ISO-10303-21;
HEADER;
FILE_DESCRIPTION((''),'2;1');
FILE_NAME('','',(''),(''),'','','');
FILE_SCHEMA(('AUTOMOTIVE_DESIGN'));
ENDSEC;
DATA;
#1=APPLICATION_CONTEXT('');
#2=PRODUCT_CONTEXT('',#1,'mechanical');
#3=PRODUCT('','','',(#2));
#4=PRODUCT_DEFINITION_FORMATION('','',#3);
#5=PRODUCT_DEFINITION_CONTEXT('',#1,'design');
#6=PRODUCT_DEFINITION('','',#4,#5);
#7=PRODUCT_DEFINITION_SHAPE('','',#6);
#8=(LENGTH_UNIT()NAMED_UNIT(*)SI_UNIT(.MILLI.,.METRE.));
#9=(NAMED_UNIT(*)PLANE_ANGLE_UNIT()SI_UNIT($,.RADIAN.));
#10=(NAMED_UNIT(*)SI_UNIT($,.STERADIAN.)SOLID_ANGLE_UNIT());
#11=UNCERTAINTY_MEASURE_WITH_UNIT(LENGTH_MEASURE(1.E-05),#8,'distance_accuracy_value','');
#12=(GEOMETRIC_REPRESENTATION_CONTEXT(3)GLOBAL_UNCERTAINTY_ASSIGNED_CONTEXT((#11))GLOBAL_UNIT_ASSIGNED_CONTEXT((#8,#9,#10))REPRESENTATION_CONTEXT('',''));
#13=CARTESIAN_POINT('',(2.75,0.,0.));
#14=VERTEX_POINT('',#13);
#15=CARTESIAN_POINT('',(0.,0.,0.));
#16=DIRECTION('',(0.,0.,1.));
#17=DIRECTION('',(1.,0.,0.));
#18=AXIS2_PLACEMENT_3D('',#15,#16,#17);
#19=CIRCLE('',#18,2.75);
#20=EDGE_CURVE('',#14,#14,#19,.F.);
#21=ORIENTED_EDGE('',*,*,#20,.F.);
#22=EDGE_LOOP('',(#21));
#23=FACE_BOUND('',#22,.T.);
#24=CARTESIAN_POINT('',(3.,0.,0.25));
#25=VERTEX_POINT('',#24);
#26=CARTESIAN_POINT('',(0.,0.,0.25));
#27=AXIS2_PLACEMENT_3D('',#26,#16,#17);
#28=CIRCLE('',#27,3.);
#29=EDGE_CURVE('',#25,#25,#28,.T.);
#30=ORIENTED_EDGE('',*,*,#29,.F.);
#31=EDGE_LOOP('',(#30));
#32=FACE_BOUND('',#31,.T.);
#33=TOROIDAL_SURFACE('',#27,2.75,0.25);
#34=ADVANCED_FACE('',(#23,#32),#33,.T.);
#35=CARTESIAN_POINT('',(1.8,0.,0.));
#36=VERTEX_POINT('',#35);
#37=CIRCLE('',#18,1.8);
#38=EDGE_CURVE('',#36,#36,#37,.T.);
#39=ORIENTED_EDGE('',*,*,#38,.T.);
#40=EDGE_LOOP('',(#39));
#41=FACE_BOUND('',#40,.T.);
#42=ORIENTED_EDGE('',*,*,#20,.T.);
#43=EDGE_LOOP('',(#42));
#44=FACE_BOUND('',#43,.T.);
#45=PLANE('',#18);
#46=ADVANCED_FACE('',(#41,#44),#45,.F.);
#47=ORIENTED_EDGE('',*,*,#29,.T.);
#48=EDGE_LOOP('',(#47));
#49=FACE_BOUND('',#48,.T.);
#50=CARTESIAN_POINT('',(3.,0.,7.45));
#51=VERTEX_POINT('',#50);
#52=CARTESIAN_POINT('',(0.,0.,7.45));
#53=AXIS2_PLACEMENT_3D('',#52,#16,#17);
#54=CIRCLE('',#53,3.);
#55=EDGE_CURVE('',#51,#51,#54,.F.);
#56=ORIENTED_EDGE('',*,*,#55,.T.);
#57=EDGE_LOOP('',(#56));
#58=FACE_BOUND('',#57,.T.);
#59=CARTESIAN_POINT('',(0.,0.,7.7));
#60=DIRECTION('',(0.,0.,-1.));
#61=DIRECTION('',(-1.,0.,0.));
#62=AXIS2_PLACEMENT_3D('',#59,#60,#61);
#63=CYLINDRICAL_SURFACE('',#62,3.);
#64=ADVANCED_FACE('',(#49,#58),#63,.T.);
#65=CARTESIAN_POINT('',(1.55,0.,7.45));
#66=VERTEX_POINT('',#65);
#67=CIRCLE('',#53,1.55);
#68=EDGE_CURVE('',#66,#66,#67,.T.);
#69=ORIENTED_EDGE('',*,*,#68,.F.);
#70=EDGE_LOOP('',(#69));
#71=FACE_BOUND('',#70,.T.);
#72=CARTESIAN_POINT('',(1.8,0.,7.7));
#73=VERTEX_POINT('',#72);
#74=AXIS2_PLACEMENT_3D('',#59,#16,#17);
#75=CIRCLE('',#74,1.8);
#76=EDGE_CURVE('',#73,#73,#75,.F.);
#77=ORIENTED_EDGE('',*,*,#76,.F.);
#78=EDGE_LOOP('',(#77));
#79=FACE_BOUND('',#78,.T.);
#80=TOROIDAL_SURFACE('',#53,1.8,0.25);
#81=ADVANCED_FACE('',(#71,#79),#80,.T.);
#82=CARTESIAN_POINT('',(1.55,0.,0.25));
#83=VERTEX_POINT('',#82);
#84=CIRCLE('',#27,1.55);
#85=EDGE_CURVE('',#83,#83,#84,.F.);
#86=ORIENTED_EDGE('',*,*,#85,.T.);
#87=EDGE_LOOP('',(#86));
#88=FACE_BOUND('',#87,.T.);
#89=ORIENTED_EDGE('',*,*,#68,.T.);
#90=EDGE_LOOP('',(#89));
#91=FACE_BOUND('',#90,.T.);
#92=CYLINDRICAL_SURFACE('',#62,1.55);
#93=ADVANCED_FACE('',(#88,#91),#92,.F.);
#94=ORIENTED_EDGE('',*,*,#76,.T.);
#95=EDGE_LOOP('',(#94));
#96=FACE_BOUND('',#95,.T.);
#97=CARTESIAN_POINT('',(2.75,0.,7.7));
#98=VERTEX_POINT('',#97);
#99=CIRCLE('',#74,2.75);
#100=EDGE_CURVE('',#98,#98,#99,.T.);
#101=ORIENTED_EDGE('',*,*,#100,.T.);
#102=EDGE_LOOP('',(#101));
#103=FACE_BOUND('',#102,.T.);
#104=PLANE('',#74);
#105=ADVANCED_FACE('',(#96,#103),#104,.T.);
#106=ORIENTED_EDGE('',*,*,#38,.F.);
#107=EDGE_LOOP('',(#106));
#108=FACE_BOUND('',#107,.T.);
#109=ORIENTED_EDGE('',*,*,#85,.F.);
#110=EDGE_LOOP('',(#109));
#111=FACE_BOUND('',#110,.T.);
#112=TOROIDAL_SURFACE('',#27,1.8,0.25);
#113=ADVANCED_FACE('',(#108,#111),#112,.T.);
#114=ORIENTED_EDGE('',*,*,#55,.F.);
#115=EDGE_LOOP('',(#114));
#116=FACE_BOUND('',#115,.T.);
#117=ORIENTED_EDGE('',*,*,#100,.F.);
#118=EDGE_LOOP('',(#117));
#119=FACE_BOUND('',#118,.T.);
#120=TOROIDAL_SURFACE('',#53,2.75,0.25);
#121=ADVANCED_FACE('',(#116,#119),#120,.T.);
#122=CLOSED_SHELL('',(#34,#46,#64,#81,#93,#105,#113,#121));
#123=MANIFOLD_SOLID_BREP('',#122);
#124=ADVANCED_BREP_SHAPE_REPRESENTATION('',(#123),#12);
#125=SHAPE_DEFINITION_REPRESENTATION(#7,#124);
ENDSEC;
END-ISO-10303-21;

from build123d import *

# Parameters (mm, degrees)
SKICA2_R                = 3
SKICA2_R_2              = 1.55
P_IDAT_VYSUNUT_M1_DEPTH = 7.7
ZAOBLIT1_R              = 0.25


with BuildPart() as part:
    # Skica2 → Přidat vysunutím1 (new body)
    with BuildSketch(Plane.XY):
        Circle(SKICA2_R)
        Circle(SKICA2_R_2, mode=Mode.SUBTRACT)
    extrude(amount=P_IDAT_VYSUNUT_M1_DEPTH)

    # Zaoblit1
    zaoblit1_edges = [part.edges().sort_by_distance(p)[0] for p in [
        (-3, 0, 0),
        (-3, 0, 7.7),
        (-1.55, 0, 0),
        (-1.55, 0, 7.7),
    ]]
    fillet(zaoblit1_edges, radius=ZAOBLIT1_R)


solid = part.part
